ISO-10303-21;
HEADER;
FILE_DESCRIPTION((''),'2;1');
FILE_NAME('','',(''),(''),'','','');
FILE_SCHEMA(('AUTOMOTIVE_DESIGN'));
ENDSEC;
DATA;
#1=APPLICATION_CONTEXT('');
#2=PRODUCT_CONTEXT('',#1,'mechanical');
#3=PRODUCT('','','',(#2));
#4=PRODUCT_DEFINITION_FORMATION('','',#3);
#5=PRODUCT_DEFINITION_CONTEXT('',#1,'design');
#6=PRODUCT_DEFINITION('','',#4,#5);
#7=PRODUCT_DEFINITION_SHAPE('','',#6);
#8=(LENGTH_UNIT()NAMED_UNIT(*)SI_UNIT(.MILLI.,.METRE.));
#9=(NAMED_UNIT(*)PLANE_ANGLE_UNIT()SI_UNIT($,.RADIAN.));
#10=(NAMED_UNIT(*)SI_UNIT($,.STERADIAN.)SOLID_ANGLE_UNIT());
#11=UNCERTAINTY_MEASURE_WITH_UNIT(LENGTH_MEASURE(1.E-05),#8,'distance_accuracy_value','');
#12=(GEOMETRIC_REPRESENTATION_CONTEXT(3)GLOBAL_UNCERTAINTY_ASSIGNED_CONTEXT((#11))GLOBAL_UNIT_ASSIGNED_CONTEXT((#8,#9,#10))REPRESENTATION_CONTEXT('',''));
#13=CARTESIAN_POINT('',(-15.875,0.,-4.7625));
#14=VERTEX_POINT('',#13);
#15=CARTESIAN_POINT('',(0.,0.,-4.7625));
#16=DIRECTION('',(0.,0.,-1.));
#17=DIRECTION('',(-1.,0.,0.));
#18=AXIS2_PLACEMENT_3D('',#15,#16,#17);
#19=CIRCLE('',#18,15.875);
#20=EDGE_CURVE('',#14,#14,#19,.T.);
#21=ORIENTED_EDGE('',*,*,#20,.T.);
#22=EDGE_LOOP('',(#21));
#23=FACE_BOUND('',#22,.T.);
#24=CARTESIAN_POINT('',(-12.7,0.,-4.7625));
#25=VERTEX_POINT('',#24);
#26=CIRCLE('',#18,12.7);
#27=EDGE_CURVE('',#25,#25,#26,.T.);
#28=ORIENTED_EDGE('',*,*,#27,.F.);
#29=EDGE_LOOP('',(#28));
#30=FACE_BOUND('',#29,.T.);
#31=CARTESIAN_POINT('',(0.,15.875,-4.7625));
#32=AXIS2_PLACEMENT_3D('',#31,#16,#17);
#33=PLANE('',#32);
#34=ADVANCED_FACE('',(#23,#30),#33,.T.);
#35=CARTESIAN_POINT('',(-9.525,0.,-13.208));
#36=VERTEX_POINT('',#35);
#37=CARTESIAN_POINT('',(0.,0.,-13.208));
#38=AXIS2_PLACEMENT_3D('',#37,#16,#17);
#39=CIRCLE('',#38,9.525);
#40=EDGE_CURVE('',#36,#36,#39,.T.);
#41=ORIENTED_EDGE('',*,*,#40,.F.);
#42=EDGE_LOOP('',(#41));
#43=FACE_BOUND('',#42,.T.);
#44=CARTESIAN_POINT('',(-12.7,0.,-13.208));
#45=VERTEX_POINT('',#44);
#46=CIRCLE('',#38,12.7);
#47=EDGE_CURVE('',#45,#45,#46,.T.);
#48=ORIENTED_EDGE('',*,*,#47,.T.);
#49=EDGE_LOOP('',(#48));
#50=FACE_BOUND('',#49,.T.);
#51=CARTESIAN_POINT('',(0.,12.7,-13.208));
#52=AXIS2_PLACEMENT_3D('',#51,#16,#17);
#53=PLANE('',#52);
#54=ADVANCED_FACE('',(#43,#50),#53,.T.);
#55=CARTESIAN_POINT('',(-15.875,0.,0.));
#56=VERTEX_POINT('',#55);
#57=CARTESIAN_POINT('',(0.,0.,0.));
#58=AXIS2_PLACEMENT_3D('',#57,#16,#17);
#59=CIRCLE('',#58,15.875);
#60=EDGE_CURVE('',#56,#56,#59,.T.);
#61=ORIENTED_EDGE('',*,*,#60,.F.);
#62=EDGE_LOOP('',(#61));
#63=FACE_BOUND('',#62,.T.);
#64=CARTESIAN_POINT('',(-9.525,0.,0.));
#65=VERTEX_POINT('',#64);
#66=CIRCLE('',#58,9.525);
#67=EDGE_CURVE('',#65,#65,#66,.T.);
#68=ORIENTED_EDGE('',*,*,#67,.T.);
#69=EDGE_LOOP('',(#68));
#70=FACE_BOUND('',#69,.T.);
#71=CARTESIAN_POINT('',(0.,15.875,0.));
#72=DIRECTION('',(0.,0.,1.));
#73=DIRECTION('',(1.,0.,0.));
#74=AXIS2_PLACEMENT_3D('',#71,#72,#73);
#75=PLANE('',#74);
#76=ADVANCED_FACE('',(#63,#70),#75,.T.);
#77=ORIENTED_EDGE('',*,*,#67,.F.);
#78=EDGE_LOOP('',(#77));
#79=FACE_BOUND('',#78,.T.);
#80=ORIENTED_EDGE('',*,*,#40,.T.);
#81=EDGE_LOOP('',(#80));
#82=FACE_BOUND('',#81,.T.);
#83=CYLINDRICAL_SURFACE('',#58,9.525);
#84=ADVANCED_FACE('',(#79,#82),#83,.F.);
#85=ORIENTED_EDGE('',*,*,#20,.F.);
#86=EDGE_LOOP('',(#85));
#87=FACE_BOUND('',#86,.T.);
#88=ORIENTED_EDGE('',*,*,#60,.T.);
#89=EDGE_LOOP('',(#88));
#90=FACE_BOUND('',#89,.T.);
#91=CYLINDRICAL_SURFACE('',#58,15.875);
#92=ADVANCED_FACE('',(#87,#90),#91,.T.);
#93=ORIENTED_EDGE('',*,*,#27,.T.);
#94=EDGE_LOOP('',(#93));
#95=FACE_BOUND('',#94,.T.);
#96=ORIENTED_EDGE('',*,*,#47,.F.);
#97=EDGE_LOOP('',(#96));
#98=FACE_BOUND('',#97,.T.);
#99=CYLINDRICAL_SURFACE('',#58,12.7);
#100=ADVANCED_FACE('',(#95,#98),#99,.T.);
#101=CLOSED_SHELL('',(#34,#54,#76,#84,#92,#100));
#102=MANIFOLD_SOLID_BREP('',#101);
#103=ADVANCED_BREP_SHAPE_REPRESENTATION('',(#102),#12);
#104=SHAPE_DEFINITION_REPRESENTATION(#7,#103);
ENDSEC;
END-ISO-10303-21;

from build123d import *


with BuildPart() as part:
    # Sketch1 → Revolve1 (revolve)
    with BuildSketch(Plane(origin=(0, 0, 0), x_dir=(0, 0, -1), z_dir=(1, 0, 0)), mode=Mode.PRIVATE) as revolve1_sk:
        Polygon((0, 15.875), (4.7625, 15.875), (4.7625, 12.7), (13.208, 12.7), (13.208, 9.525), (0, 9.525), align=None)
    revolve(revolve1_sk.sketch.rotate(Axis((0, 0, 0), (0, 0, 1)), 90), axis=Axis((0, 0, 0), (0, 0, 1)))


solid = part.part
